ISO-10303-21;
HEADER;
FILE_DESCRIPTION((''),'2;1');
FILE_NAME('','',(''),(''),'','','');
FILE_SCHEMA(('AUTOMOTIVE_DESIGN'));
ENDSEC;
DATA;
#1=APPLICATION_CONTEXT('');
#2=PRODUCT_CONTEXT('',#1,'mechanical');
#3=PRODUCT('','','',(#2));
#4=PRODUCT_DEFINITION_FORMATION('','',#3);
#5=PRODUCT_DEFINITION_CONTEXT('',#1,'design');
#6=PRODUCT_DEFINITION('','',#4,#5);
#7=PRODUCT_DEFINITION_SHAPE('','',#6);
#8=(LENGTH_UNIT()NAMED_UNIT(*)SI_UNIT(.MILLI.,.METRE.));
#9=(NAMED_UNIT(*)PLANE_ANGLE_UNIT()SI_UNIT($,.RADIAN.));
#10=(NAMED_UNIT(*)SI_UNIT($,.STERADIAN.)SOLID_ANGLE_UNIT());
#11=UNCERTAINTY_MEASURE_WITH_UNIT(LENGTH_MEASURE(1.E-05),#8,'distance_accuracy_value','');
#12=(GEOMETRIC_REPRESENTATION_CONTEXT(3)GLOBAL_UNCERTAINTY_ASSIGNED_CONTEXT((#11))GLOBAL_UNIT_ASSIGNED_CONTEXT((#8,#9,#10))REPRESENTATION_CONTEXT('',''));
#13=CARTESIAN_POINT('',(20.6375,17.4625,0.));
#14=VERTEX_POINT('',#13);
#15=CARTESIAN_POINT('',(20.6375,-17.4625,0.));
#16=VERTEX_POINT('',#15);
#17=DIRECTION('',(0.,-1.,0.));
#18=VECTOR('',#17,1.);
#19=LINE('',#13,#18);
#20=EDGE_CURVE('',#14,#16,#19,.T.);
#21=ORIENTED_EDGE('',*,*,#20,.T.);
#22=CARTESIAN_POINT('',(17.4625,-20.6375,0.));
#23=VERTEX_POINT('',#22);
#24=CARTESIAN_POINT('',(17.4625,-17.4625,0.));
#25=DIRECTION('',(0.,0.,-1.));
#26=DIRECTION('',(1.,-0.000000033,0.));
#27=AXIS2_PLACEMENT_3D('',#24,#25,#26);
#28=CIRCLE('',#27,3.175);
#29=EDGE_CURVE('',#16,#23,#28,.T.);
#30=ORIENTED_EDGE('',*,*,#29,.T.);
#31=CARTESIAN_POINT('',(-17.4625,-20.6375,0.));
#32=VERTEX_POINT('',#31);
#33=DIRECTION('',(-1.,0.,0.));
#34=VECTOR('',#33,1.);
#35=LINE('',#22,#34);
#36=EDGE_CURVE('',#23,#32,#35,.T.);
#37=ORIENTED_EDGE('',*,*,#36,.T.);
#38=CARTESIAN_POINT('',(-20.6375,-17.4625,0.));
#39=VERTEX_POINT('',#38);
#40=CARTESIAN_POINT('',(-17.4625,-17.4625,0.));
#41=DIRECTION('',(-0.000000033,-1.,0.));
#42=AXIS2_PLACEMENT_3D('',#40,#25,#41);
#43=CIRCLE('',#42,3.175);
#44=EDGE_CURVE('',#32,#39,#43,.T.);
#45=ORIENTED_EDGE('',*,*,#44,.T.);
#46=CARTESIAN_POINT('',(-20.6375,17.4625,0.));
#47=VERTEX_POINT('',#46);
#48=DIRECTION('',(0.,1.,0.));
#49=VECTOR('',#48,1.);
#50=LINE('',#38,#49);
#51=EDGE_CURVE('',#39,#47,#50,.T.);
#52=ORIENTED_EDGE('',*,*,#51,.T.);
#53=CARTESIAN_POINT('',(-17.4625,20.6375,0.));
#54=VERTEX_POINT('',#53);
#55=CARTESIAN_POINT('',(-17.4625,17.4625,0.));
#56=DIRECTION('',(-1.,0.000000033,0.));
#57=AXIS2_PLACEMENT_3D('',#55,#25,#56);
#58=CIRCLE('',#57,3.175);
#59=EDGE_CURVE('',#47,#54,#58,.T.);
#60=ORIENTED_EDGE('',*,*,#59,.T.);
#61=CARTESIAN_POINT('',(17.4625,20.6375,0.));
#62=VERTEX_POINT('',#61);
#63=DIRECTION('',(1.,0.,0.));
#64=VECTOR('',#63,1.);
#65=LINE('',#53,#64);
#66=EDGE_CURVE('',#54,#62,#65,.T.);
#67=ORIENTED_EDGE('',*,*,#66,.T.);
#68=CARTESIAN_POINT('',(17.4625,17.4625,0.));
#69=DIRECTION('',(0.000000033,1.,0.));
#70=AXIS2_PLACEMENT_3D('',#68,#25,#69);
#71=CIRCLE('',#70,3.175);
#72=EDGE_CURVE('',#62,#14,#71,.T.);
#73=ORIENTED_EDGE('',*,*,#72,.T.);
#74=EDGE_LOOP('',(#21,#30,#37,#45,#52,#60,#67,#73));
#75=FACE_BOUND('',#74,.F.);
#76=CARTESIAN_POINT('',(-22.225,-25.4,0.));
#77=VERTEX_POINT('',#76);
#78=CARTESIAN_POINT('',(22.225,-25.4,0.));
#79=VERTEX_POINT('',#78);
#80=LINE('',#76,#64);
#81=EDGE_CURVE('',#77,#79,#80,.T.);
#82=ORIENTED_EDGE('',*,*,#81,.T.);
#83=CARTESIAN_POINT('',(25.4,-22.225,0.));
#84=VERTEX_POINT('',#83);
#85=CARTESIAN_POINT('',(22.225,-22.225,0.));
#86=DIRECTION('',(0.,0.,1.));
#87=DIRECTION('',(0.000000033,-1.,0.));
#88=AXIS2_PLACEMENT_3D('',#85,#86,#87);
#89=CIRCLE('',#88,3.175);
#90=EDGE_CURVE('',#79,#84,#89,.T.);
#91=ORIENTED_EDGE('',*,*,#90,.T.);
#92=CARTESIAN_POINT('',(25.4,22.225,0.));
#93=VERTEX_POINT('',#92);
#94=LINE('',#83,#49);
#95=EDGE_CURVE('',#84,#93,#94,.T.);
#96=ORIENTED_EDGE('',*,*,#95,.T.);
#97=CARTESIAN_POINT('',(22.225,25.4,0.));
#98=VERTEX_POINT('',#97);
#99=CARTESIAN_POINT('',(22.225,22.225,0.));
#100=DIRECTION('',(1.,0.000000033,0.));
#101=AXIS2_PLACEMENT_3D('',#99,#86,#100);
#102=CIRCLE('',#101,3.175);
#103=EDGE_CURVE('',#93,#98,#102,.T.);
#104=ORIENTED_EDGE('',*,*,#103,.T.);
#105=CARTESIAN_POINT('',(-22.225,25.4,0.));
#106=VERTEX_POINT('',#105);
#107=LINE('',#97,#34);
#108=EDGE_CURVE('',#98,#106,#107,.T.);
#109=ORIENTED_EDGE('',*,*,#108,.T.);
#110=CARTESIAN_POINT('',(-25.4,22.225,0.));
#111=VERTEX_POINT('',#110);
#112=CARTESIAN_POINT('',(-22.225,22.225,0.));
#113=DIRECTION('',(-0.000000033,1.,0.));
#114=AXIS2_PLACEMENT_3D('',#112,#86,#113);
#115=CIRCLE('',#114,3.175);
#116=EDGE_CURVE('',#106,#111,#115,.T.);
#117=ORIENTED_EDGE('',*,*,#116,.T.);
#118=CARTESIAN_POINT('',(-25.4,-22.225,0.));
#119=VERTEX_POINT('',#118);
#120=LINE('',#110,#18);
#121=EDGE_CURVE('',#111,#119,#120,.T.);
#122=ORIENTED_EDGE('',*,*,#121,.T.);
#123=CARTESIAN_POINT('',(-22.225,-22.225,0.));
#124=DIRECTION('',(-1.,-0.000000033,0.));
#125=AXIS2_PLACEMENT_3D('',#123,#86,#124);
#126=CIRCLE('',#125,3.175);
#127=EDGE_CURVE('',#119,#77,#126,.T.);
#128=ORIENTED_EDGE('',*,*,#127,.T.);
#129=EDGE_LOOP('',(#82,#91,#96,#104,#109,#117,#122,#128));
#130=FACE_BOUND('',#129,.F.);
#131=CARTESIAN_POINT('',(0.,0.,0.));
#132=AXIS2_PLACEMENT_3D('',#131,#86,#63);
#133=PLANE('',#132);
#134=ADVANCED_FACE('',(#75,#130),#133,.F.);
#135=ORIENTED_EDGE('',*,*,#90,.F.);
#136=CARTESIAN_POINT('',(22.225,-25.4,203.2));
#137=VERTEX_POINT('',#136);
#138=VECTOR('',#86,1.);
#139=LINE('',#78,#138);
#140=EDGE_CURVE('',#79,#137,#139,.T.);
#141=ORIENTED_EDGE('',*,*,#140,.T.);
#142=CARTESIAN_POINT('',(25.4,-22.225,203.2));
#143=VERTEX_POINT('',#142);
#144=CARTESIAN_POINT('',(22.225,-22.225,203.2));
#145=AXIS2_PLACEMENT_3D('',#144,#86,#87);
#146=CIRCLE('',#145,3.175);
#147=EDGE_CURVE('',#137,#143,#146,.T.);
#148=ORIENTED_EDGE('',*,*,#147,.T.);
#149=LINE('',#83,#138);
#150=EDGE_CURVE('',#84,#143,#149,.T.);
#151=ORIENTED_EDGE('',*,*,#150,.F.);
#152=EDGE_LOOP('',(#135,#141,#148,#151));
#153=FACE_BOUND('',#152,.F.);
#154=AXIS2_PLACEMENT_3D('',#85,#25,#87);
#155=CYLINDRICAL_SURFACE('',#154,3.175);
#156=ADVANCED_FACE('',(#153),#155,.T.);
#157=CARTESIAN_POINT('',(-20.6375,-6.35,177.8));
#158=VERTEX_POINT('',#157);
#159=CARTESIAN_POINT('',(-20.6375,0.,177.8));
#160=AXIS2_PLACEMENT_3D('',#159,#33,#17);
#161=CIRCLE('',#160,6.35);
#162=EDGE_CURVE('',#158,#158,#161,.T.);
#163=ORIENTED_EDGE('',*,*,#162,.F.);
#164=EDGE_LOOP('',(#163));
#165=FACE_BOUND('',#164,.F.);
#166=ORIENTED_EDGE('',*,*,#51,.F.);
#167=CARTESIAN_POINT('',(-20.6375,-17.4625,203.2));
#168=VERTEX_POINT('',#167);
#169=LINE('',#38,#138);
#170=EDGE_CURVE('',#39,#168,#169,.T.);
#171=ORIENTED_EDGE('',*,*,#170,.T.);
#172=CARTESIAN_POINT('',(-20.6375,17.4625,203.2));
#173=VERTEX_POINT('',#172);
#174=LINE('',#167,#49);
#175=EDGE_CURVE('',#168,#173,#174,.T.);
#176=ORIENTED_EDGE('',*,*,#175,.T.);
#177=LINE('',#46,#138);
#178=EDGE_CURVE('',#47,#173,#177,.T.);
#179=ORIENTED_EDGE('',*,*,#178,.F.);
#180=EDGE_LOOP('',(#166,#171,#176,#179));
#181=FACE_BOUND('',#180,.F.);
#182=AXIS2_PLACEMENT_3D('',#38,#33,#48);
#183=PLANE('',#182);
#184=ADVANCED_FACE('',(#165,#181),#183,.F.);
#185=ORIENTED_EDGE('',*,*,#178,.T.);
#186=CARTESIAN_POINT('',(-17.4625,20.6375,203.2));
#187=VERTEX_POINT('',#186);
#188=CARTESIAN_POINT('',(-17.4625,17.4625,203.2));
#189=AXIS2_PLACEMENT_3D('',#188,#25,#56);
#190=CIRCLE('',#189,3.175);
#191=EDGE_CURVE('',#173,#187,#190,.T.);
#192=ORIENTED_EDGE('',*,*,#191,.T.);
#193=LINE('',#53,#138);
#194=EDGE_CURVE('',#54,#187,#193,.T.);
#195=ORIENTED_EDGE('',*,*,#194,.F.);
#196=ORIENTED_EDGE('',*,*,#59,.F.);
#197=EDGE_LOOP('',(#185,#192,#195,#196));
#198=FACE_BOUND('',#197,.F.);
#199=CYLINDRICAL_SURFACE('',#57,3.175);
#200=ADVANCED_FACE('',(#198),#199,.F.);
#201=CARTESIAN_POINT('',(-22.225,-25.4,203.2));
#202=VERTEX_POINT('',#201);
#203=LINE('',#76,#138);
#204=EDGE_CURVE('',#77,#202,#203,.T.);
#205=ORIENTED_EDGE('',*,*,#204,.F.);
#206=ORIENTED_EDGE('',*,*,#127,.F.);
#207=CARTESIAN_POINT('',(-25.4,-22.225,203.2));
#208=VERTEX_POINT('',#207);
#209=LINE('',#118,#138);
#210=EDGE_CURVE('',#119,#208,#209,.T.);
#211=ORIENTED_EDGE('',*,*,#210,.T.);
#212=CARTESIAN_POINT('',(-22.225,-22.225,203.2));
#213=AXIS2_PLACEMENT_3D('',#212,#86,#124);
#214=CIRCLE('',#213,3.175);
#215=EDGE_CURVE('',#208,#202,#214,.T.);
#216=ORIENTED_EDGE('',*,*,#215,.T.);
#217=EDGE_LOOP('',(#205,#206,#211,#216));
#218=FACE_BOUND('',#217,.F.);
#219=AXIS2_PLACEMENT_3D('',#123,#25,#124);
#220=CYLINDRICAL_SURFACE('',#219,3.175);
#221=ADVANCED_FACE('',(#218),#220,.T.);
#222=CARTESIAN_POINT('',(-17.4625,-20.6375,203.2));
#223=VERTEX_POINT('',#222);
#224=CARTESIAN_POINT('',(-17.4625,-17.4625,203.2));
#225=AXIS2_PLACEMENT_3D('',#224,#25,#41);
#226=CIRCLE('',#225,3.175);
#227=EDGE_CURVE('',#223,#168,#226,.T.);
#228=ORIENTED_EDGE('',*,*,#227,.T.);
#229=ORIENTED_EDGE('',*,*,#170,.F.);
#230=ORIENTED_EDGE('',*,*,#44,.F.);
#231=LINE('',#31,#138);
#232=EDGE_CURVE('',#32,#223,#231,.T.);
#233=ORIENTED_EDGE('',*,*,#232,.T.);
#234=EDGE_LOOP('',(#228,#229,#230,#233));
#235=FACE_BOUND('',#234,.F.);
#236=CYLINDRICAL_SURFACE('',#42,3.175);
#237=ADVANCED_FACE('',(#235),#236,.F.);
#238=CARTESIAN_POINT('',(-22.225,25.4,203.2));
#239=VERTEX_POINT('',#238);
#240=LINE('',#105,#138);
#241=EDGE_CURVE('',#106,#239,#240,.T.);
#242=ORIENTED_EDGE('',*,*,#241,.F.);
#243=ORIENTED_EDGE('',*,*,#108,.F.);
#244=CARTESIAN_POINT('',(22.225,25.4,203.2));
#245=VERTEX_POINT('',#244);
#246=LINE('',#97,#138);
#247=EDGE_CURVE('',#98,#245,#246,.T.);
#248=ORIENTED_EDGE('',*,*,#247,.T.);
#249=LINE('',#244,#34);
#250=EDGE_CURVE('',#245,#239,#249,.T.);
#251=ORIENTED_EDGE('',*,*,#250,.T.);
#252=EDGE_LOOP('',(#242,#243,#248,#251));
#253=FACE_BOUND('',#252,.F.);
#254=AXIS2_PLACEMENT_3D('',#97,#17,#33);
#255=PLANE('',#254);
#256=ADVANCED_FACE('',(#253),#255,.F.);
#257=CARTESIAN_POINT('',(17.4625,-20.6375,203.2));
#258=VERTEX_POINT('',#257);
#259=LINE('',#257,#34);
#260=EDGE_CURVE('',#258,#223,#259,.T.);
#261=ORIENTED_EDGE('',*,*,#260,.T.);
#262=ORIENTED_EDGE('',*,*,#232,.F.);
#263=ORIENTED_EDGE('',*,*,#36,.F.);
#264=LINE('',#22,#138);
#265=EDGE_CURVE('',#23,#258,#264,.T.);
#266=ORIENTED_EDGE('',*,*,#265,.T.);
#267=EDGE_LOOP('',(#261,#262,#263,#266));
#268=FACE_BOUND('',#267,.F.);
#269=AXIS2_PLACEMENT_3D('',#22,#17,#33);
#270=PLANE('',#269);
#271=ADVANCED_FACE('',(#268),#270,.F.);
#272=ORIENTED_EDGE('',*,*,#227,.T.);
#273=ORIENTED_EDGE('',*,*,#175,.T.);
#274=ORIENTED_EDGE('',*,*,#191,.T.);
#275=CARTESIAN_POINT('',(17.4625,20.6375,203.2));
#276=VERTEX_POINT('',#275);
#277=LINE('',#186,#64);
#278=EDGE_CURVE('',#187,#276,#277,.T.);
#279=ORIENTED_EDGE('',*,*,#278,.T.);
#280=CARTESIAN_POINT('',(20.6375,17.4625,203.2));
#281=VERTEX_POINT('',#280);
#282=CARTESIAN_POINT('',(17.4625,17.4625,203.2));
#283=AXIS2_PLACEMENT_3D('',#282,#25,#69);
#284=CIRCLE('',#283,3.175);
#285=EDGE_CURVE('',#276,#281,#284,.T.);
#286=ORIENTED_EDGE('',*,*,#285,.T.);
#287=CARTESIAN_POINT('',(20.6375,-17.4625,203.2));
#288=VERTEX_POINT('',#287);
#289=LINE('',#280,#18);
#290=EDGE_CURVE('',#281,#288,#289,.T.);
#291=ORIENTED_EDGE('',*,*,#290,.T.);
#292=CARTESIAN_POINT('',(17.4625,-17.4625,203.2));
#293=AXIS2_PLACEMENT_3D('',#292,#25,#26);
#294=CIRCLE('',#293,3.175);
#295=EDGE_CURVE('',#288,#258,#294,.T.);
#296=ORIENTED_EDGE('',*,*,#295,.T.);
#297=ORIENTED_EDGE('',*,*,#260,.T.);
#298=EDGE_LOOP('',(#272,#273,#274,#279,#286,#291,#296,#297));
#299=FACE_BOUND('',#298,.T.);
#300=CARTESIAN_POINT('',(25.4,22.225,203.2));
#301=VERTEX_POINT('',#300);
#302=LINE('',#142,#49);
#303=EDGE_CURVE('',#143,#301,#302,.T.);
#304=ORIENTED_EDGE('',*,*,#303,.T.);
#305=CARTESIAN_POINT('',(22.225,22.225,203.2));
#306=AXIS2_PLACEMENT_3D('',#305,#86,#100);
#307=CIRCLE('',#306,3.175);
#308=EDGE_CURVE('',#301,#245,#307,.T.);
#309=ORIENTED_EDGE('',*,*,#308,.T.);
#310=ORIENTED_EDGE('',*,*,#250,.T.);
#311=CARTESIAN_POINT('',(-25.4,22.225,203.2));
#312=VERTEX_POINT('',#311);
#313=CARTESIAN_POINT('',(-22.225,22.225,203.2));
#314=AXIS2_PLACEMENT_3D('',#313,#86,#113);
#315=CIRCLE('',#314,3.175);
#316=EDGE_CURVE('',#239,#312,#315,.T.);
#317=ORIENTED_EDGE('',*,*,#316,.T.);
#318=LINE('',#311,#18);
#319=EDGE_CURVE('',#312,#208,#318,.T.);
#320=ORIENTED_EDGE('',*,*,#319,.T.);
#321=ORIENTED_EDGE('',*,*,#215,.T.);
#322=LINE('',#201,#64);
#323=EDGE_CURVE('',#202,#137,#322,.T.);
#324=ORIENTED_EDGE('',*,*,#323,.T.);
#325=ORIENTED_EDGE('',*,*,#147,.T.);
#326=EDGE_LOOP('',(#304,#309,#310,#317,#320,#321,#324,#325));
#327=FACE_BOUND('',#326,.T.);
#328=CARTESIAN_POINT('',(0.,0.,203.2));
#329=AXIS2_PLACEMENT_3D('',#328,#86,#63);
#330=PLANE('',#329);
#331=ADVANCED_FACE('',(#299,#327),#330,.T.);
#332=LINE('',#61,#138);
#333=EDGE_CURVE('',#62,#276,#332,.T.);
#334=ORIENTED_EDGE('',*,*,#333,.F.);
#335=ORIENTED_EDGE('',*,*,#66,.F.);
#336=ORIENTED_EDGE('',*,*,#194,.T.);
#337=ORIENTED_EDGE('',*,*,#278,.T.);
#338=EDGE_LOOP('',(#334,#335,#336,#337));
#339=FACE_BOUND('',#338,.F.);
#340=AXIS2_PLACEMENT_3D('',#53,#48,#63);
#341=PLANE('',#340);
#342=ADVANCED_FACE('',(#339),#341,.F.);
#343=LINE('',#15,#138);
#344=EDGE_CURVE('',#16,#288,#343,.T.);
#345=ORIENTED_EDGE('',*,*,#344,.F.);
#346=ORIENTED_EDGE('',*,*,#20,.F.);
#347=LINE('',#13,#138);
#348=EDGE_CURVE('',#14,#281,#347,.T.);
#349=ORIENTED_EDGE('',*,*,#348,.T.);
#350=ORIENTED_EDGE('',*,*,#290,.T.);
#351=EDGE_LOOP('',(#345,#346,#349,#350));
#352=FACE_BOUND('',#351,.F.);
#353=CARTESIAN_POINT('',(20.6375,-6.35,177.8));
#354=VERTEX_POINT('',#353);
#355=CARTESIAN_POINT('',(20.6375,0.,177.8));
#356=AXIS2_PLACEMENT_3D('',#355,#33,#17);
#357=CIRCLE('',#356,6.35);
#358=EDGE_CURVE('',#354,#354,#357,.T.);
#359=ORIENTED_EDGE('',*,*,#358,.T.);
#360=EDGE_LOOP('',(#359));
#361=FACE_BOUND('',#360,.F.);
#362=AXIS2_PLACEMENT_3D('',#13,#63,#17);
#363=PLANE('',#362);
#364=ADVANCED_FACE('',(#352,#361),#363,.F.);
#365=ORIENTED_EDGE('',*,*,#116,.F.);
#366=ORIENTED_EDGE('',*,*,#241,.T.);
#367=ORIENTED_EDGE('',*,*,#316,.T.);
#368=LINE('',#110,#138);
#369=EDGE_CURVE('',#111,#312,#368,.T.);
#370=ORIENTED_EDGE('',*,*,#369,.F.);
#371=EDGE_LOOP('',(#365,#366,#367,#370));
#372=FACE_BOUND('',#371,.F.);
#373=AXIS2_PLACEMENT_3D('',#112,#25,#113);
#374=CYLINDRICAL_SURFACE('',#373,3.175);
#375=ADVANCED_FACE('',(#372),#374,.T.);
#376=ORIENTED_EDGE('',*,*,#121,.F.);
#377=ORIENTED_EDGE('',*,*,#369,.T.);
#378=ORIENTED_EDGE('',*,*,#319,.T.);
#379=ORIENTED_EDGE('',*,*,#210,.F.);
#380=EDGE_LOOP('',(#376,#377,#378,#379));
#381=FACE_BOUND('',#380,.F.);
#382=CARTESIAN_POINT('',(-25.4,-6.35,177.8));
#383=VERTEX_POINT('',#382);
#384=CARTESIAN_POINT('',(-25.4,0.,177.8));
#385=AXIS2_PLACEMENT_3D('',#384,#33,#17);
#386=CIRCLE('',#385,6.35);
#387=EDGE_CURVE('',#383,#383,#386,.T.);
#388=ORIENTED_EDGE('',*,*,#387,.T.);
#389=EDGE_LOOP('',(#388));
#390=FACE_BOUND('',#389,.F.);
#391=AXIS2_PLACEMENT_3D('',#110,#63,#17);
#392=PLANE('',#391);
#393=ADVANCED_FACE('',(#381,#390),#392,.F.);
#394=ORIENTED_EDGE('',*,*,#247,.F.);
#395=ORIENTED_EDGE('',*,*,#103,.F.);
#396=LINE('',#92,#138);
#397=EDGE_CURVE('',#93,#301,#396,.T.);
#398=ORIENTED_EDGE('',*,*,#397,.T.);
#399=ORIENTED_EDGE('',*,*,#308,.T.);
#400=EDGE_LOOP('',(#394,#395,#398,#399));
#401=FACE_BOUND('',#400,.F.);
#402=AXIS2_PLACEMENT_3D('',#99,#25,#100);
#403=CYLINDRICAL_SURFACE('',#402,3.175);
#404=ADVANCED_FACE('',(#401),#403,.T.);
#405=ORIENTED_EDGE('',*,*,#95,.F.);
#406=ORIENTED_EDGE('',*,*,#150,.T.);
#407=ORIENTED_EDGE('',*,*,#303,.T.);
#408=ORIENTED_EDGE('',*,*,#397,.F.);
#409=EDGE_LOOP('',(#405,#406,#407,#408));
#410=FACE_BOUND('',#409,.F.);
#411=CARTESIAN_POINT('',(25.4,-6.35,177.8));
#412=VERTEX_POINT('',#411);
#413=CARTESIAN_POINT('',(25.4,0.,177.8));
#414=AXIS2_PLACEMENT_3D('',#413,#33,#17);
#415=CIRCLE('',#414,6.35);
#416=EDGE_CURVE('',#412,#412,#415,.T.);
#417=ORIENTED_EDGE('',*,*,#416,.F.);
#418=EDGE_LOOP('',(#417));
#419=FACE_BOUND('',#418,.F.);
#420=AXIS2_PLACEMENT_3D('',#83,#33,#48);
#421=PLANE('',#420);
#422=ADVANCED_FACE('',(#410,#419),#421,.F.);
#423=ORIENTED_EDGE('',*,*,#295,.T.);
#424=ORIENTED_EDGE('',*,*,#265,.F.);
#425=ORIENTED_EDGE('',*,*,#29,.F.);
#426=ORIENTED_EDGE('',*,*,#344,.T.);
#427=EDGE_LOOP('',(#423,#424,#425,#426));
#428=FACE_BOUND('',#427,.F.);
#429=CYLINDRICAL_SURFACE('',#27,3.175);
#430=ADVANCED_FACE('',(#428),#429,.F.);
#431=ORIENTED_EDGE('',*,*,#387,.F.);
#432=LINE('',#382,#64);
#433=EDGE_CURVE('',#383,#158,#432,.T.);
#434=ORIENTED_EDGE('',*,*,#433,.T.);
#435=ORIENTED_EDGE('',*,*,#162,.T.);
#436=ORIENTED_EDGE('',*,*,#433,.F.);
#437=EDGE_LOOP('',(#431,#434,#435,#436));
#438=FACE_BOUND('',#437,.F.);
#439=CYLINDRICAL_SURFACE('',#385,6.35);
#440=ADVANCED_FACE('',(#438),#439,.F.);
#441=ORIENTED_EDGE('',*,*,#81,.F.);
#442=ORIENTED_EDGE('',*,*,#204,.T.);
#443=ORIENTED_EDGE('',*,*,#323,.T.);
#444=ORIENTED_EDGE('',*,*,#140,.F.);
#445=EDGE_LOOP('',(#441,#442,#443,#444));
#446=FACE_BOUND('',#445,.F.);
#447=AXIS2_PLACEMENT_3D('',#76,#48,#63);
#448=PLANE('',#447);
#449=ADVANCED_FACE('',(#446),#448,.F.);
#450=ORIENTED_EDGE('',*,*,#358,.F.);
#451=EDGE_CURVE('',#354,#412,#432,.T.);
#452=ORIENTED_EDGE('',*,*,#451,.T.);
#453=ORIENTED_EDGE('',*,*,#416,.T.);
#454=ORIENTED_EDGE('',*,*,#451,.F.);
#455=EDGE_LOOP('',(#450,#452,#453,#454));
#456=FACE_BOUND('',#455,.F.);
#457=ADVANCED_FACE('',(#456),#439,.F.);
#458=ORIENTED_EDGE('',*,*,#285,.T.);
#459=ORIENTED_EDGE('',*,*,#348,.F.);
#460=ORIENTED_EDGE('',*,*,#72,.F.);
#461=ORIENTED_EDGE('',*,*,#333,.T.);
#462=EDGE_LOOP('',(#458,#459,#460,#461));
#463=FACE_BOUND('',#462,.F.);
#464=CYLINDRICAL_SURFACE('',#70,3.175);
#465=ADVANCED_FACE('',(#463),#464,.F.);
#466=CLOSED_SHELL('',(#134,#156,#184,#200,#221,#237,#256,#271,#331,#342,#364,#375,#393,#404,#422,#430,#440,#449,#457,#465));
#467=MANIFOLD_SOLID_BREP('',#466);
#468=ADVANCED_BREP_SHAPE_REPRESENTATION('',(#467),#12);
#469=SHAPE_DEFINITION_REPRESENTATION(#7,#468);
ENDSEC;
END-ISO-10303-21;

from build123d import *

# Parameters (mm, degrees)
F1_DEPTH = 203.2
F2_R     = 6.35
F3_DEPTH = 50.801


with BuildPart() as f1:
    # F0 (on Top) → F1 (new body)
    with BuildSketch(Plane.XY):
        with BuildLine():
            ThreePointArc((25.4, 22.225), (24.470064, 24.470064), (22.225, 25.4))
            Line((22.225, 25.4), (-22.225, 25.4))
            ThreePointArc((-22.225, 25.4), (-24.470064, 24.470064), (-25.4, 22.225))
            Line((-25.4, 22.225), (-25.4, -22.225))
            ThreePointArc((-25.4, -22.225), (-24.470064, -24.470064), (-22.225, -25.4))
            Line((-22.225, -25.4), (22.225, -25.4))
            ThreePointArc((22.225, -25.4), (24.470064, -24.470064), (25.4, -22.225))
            Line((25.4, -22.225), (25.4, 22.225))
        make_face()
        with BuildLine():
            Line((-17.4625, 20.6375), (17.4625, 20.6375))
            ThreePointArc((17.4625, 20.6375), (19.707564, 19.707564), (20.6375, 17.4625))
            Line((20.6375, 17.4625), (20.6375, -17.4625))
            ThreePointArc((20.6375, -17.4625), (19.707564, -19.707564), (17.4625, -20.6375))
            Line((17.4625, -20.6375), (-17.4625, -20.6375))
            ThreePointArc((-17.4625, -20.6375), (-19.707564, -19.707564), (-20.6375, -17.4625))
            Line((-20.6375, -17.4625), (-20.6375, 17.4625))
            ThreePointArc((-20.6375, 17.4625), (-19.707564, 19.707564), (-17.4625, 20.6375))
        make_face(mode=Mode.SUBTRACT)
    extrude(amount=F1_DEPTH)

    # F2 (on face) → F3 (cut, through all)
    with BuildSketch(Plane(origin=(-25.4, 0, 0), x_dir=(0, -1, 0), z_dir=(-1, 0, 0))):
        with Locations((0, 177.8)):
            Circle(F2_R)
    extrude(amount=-F3_DEPTH, mode=Mode.SUBTRACT)


solid = f1.part
